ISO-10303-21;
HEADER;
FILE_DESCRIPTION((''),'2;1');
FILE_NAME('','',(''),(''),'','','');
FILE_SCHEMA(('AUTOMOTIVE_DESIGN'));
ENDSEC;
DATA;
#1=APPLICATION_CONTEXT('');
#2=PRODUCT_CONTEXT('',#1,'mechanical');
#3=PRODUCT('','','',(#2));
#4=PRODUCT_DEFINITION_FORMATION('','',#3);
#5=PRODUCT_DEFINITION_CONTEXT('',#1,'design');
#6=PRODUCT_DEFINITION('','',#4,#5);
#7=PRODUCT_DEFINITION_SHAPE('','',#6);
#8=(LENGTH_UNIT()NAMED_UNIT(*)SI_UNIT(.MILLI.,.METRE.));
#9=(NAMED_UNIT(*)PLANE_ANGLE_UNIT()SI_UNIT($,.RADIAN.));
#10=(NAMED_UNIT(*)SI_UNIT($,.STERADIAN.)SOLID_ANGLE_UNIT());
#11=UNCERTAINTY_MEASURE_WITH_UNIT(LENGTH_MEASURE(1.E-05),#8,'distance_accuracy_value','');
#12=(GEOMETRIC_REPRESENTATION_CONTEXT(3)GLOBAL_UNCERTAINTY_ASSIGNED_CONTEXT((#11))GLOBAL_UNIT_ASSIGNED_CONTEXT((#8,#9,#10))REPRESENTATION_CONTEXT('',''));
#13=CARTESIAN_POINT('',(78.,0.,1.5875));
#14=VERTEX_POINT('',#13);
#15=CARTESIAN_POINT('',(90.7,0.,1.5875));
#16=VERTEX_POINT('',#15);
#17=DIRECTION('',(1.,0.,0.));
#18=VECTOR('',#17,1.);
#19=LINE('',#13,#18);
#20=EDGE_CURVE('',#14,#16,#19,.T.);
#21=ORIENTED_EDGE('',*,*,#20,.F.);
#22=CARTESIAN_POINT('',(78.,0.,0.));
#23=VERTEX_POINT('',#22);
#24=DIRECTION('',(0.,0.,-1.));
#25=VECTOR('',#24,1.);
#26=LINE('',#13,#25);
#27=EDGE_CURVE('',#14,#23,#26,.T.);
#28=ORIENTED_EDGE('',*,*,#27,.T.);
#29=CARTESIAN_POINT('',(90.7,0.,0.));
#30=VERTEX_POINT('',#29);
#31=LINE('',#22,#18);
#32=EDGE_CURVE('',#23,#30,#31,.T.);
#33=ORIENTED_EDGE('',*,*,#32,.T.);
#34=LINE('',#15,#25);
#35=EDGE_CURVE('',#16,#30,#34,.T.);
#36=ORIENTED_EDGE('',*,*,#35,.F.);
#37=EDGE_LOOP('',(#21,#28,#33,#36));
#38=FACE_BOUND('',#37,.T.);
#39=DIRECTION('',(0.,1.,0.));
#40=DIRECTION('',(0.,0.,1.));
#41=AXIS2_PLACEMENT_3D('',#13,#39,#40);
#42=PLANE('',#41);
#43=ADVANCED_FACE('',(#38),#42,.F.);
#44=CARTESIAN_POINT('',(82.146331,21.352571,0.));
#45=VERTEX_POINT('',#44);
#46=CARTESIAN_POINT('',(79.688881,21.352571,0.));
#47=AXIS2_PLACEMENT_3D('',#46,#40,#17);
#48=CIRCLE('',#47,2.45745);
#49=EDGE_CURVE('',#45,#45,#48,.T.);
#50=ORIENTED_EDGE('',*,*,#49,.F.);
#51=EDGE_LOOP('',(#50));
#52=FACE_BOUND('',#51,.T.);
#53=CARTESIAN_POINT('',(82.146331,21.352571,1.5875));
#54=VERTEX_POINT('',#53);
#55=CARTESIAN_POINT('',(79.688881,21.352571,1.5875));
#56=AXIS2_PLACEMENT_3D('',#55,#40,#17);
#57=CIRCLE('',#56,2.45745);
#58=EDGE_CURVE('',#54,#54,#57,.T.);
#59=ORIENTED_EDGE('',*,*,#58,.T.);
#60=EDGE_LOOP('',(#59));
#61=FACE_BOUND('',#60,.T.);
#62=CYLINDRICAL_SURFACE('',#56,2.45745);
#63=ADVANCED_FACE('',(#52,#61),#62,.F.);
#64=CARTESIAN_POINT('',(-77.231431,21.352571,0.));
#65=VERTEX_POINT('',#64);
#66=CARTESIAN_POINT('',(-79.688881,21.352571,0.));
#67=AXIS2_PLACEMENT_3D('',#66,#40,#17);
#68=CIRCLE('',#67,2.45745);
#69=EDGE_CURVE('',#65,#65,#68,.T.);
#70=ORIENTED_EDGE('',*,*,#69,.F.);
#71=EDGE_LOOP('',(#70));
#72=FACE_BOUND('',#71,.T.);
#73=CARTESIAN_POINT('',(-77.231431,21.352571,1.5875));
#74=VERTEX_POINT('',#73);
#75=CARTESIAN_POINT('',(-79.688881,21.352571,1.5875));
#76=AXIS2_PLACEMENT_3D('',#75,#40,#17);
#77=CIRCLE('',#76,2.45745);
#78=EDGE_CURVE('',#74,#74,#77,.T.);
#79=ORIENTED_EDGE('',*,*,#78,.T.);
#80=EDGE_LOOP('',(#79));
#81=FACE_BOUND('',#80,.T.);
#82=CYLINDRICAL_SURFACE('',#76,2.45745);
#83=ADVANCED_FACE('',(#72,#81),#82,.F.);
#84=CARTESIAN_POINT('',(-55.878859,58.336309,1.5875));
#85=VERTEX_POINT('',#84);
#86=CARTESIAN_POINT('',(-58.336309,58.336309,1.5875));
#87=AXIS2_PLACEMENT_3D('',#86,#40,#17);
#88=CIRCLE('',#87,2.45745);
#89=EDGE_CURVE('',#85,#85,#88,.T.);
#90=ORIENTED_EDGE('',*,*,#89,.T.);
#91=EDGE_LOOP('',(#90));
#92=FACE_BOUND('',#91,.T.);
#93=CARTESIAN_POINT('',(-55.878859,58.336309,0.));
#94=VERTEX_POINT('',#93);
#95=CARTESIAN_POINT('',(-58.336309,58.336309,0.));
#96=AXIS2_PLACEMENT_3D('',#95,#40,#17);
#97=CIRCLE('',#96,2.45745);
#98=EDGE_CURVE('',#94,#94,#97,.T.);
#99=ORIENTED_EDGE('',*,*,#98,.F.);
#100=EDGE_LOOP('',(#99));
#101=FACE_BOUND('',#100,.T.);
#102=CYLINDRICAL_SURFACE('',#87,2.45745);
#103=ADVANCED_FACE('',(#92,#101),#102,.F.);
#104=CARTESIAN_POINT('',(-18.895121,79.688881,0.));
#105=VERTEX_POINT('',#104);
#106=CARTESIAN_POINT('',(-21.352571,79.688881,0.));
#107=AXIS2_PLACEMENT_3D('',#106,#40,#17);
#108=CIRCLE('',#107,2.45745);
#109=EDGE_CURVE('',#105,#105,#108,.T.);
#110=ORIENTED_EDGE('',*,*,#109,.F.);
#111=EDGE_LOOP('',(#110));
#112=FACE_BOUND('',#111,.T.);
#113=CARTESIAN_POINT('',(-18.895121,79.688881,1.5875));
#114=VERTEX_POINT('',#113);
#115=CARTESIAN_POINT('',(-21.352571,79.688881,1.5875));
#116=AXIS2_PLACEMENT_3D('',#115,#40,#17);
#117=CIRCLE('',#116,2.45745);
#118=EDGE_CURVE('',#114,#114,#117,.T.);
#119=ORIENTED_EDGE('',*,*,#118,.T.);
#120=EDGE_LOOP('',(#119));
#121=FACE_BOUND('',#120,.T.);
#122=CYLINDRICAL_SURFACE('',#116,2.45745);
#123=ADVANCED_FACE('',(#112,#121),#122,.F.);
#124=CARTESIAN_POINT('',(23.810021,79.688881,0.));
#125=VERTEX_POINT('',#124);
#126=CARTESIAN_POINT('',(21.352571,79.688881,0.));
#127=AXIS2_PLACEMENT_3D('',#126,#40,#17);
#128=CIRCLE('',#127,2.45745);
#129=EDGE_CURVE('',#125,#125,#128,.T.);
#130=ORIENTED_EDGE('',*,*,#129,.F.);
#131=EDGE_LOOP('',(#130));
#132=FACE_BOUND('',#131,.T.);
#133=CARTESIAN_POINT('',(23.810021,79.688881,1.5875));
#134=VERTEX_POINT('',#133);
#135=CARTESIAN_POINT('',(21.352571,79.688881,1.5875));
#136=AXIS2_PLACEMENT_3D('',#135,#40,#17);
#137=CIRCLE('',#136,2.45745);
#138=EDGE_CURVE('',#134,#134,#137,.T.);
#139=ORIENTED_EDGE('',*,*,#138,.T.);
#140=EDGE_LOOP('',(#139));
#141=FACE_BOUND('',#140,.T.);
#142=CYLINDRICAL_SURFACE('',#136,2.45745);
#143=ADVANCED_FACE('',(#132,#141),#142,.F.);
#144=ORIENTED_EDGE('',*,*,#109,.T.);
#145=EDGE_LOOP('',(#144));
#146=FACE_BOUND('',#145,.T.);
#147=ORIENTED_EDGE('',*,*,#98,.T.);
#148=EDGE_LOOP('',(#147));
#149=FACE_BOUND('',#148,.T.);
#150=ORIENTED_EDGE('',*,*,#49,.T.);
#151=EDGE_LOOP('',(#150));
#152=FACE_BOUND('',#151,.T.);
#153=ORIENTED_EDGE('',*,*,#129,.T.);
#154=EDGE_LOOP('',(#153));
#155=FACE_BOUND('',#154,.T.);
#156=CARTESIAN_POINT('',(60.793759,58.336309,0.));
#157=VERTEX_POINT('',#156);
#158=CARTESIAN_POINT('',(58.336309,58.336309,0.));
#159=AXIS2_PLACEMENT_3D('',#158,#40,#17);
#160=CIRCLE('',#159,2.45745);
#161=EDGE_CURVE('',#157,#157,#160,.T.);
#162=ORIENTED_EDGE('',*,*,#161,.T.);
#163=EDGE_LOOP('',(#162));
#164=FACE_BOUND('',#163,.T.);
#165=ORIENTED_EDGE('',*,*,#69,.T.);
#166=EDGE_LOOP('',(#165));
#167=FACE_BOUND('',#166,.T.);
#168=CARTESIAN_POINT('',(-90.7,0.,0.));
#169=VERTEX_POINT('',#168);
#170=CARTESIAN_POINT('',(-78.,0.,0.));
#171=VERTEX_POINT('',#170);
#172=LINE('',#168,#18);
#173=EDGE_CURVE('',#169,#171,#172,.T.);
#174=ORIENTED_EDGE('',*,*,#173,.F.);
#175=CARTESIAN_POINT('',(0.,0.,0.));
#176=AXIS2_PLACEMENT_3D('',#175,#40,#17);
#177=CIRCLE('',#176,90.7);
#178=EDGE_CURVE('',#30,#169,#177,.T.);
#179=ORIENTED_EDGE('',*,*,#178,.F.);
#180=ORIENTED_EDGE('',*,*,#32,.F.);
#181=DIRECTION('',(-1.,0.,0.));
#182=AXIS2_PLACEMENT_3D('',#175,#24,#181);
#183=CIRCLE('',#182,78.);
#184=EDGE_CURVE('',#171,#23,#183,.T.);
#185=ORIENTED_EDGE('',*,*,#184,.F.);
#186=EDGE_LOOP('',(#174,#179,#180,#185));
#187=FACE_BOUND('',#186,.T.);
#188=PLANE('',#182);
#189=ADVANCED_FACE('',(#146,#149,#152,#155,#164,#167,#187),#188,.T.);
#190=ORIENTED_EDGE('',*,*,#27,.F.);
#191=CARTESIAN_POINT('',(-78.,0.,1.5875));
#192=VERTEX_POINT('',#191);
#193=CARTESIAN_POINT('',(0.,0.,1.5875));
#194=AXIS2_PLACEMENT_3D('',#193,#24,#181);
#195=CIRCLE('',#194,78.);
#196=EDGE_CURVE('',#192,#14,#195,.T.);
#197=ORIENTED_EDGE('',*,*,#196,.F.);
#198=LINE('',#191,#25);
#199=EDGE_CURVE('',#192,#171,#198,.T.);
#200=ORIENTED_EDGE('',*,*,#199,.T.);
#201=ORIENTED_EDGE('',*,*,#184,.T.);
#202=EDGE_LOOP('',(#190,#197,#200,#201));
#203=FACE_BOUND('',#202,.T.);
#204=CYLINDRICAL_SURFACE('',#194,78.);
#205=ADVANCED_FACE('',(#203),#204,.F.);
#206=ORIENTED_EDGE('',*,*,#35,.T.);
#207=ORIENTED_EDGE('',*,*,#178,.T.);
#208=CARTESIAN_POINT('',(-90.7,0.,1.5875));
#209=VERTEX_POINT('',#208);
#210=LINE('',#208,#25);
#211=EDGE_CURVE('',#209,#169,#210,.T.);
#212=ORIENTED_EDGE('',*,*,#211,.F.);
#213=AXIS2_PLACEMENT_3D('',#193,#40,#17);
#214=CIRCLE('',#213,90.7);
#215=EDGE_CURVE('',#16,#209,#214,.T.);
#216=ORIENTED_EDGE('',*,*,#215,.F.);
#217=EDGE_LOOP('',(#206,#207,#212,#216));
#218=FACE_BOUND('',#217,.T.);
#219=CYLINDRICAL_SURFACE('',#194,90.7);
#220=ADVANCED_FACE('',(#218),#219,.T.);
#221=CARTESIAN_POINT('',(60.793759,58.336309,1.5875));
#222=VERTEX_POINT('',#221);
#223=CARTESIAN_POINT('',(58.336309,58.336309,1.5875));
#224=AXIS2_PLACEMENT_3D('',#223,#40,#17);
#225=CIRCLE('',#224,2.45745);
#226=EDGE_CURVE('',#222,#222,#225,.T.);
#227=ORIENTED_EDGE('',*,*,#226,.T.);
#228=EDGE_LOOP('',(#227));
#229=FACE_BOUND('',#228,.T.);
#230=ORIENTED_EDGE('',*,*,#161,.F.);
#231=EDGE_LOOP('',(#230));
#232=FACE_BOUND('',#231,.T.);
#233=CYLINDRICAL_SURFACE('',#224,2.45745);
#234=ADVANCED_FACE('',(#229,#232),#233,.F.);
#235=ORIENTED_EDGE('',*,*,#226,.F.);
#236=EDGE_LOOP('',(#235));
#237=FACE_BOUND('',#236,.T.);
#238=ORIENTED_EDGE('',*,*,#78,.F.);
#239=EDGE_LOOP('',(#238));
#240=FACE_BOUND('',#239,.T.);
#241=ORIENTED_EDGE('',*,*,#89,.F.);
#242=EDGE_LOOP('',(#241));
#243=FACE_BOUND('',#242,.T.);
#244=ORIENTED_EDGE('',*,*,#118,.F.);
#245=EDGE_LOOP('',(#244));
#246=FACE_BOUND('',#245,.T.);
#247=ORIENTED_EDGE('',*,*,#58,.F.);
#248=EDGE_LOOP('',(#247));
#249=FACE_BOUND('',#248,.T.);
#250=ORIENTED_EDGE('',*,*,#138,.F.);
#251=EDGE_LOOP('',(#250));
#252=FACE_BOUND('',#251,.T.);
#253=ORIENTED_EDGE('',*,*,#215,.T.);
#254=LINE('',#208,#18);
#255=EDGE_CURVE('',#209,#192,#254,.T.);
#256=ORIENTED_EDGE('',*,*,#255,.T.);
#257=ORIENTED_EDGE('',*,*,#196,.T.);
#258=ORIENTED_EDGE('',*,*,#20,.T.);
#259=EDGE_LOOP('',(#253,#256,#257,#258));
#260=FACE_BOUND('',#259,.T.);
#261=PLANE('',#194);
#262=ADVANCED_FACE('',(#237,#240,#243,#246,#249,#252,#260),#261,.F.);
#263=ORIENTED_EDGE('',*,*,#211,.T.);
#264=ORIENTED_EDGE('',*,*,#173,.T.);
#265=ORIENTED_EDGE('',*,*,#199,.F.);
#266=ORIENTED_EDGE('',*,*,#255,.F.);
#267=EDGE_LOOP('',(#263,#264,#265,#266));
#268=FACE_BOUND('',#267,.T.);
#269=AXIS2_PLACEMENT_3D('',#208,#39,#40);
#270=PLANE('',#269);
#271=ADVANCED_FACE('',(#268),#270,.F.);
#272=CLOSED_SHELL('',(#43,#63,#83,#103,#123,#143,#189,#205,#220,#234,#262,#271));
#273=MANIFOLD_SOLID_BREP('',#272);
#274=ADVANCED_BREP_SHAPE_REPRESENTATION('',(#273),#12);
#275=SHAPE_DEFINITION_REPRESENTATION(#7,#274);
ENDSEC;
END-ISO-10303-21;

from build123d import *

# Parameters (mm, degrees)
BOSS_EXTRUDE1_DEPTH   = 1.5875
F_8_CLEARANCE_HOLE1_D = 4.9149
CIRPATTERN1_COUNT     = 6
CIRPATTERN1_ANGLE     = 150


with BuildPart() as part:
    # Sketch1 → Boss-Extrude1 (new body)
    with BuildSketch(Plane.XY):
        with BuildLine():
            Line((-90.7, 0), (-78, 0))
            ThreePointArc((-78, 0), (0, 78), (78, 0))
            Line((78, 0), (90.7, 0))
            ThreePointArc((90.7, 0), (0, 90.7), (-90.7, 0))
        make_face()
    extrude(amount=BOSS_EXTRUDE1_DEPTH)

    # #8 Clearance Hole1 (through all)
    with Locations(Plane.XY.offset(1.5875)):
        with Locations((79.688880669, 21.352571221)):
            f_8_clearance_hole1 = Hole(F_8_CLEARANCE_HOLE1_D / 2)

    # CirPattern1: #8 Clearance Hole1 ×6 about axis
    cirpattern1_axis = Axis((0, 0, 0), (0, 0, 1))
    for i in range(1, CIRPATTERN1_COUNT):
        add(f_8_clearance_hole1.rotate(cirpattern1_axis, i * CIRPATTERN1_ANGLE / (CIRPATTERN1_COUNT - 1)), mode=Mode.SUBTRACT)


solid = part.part
